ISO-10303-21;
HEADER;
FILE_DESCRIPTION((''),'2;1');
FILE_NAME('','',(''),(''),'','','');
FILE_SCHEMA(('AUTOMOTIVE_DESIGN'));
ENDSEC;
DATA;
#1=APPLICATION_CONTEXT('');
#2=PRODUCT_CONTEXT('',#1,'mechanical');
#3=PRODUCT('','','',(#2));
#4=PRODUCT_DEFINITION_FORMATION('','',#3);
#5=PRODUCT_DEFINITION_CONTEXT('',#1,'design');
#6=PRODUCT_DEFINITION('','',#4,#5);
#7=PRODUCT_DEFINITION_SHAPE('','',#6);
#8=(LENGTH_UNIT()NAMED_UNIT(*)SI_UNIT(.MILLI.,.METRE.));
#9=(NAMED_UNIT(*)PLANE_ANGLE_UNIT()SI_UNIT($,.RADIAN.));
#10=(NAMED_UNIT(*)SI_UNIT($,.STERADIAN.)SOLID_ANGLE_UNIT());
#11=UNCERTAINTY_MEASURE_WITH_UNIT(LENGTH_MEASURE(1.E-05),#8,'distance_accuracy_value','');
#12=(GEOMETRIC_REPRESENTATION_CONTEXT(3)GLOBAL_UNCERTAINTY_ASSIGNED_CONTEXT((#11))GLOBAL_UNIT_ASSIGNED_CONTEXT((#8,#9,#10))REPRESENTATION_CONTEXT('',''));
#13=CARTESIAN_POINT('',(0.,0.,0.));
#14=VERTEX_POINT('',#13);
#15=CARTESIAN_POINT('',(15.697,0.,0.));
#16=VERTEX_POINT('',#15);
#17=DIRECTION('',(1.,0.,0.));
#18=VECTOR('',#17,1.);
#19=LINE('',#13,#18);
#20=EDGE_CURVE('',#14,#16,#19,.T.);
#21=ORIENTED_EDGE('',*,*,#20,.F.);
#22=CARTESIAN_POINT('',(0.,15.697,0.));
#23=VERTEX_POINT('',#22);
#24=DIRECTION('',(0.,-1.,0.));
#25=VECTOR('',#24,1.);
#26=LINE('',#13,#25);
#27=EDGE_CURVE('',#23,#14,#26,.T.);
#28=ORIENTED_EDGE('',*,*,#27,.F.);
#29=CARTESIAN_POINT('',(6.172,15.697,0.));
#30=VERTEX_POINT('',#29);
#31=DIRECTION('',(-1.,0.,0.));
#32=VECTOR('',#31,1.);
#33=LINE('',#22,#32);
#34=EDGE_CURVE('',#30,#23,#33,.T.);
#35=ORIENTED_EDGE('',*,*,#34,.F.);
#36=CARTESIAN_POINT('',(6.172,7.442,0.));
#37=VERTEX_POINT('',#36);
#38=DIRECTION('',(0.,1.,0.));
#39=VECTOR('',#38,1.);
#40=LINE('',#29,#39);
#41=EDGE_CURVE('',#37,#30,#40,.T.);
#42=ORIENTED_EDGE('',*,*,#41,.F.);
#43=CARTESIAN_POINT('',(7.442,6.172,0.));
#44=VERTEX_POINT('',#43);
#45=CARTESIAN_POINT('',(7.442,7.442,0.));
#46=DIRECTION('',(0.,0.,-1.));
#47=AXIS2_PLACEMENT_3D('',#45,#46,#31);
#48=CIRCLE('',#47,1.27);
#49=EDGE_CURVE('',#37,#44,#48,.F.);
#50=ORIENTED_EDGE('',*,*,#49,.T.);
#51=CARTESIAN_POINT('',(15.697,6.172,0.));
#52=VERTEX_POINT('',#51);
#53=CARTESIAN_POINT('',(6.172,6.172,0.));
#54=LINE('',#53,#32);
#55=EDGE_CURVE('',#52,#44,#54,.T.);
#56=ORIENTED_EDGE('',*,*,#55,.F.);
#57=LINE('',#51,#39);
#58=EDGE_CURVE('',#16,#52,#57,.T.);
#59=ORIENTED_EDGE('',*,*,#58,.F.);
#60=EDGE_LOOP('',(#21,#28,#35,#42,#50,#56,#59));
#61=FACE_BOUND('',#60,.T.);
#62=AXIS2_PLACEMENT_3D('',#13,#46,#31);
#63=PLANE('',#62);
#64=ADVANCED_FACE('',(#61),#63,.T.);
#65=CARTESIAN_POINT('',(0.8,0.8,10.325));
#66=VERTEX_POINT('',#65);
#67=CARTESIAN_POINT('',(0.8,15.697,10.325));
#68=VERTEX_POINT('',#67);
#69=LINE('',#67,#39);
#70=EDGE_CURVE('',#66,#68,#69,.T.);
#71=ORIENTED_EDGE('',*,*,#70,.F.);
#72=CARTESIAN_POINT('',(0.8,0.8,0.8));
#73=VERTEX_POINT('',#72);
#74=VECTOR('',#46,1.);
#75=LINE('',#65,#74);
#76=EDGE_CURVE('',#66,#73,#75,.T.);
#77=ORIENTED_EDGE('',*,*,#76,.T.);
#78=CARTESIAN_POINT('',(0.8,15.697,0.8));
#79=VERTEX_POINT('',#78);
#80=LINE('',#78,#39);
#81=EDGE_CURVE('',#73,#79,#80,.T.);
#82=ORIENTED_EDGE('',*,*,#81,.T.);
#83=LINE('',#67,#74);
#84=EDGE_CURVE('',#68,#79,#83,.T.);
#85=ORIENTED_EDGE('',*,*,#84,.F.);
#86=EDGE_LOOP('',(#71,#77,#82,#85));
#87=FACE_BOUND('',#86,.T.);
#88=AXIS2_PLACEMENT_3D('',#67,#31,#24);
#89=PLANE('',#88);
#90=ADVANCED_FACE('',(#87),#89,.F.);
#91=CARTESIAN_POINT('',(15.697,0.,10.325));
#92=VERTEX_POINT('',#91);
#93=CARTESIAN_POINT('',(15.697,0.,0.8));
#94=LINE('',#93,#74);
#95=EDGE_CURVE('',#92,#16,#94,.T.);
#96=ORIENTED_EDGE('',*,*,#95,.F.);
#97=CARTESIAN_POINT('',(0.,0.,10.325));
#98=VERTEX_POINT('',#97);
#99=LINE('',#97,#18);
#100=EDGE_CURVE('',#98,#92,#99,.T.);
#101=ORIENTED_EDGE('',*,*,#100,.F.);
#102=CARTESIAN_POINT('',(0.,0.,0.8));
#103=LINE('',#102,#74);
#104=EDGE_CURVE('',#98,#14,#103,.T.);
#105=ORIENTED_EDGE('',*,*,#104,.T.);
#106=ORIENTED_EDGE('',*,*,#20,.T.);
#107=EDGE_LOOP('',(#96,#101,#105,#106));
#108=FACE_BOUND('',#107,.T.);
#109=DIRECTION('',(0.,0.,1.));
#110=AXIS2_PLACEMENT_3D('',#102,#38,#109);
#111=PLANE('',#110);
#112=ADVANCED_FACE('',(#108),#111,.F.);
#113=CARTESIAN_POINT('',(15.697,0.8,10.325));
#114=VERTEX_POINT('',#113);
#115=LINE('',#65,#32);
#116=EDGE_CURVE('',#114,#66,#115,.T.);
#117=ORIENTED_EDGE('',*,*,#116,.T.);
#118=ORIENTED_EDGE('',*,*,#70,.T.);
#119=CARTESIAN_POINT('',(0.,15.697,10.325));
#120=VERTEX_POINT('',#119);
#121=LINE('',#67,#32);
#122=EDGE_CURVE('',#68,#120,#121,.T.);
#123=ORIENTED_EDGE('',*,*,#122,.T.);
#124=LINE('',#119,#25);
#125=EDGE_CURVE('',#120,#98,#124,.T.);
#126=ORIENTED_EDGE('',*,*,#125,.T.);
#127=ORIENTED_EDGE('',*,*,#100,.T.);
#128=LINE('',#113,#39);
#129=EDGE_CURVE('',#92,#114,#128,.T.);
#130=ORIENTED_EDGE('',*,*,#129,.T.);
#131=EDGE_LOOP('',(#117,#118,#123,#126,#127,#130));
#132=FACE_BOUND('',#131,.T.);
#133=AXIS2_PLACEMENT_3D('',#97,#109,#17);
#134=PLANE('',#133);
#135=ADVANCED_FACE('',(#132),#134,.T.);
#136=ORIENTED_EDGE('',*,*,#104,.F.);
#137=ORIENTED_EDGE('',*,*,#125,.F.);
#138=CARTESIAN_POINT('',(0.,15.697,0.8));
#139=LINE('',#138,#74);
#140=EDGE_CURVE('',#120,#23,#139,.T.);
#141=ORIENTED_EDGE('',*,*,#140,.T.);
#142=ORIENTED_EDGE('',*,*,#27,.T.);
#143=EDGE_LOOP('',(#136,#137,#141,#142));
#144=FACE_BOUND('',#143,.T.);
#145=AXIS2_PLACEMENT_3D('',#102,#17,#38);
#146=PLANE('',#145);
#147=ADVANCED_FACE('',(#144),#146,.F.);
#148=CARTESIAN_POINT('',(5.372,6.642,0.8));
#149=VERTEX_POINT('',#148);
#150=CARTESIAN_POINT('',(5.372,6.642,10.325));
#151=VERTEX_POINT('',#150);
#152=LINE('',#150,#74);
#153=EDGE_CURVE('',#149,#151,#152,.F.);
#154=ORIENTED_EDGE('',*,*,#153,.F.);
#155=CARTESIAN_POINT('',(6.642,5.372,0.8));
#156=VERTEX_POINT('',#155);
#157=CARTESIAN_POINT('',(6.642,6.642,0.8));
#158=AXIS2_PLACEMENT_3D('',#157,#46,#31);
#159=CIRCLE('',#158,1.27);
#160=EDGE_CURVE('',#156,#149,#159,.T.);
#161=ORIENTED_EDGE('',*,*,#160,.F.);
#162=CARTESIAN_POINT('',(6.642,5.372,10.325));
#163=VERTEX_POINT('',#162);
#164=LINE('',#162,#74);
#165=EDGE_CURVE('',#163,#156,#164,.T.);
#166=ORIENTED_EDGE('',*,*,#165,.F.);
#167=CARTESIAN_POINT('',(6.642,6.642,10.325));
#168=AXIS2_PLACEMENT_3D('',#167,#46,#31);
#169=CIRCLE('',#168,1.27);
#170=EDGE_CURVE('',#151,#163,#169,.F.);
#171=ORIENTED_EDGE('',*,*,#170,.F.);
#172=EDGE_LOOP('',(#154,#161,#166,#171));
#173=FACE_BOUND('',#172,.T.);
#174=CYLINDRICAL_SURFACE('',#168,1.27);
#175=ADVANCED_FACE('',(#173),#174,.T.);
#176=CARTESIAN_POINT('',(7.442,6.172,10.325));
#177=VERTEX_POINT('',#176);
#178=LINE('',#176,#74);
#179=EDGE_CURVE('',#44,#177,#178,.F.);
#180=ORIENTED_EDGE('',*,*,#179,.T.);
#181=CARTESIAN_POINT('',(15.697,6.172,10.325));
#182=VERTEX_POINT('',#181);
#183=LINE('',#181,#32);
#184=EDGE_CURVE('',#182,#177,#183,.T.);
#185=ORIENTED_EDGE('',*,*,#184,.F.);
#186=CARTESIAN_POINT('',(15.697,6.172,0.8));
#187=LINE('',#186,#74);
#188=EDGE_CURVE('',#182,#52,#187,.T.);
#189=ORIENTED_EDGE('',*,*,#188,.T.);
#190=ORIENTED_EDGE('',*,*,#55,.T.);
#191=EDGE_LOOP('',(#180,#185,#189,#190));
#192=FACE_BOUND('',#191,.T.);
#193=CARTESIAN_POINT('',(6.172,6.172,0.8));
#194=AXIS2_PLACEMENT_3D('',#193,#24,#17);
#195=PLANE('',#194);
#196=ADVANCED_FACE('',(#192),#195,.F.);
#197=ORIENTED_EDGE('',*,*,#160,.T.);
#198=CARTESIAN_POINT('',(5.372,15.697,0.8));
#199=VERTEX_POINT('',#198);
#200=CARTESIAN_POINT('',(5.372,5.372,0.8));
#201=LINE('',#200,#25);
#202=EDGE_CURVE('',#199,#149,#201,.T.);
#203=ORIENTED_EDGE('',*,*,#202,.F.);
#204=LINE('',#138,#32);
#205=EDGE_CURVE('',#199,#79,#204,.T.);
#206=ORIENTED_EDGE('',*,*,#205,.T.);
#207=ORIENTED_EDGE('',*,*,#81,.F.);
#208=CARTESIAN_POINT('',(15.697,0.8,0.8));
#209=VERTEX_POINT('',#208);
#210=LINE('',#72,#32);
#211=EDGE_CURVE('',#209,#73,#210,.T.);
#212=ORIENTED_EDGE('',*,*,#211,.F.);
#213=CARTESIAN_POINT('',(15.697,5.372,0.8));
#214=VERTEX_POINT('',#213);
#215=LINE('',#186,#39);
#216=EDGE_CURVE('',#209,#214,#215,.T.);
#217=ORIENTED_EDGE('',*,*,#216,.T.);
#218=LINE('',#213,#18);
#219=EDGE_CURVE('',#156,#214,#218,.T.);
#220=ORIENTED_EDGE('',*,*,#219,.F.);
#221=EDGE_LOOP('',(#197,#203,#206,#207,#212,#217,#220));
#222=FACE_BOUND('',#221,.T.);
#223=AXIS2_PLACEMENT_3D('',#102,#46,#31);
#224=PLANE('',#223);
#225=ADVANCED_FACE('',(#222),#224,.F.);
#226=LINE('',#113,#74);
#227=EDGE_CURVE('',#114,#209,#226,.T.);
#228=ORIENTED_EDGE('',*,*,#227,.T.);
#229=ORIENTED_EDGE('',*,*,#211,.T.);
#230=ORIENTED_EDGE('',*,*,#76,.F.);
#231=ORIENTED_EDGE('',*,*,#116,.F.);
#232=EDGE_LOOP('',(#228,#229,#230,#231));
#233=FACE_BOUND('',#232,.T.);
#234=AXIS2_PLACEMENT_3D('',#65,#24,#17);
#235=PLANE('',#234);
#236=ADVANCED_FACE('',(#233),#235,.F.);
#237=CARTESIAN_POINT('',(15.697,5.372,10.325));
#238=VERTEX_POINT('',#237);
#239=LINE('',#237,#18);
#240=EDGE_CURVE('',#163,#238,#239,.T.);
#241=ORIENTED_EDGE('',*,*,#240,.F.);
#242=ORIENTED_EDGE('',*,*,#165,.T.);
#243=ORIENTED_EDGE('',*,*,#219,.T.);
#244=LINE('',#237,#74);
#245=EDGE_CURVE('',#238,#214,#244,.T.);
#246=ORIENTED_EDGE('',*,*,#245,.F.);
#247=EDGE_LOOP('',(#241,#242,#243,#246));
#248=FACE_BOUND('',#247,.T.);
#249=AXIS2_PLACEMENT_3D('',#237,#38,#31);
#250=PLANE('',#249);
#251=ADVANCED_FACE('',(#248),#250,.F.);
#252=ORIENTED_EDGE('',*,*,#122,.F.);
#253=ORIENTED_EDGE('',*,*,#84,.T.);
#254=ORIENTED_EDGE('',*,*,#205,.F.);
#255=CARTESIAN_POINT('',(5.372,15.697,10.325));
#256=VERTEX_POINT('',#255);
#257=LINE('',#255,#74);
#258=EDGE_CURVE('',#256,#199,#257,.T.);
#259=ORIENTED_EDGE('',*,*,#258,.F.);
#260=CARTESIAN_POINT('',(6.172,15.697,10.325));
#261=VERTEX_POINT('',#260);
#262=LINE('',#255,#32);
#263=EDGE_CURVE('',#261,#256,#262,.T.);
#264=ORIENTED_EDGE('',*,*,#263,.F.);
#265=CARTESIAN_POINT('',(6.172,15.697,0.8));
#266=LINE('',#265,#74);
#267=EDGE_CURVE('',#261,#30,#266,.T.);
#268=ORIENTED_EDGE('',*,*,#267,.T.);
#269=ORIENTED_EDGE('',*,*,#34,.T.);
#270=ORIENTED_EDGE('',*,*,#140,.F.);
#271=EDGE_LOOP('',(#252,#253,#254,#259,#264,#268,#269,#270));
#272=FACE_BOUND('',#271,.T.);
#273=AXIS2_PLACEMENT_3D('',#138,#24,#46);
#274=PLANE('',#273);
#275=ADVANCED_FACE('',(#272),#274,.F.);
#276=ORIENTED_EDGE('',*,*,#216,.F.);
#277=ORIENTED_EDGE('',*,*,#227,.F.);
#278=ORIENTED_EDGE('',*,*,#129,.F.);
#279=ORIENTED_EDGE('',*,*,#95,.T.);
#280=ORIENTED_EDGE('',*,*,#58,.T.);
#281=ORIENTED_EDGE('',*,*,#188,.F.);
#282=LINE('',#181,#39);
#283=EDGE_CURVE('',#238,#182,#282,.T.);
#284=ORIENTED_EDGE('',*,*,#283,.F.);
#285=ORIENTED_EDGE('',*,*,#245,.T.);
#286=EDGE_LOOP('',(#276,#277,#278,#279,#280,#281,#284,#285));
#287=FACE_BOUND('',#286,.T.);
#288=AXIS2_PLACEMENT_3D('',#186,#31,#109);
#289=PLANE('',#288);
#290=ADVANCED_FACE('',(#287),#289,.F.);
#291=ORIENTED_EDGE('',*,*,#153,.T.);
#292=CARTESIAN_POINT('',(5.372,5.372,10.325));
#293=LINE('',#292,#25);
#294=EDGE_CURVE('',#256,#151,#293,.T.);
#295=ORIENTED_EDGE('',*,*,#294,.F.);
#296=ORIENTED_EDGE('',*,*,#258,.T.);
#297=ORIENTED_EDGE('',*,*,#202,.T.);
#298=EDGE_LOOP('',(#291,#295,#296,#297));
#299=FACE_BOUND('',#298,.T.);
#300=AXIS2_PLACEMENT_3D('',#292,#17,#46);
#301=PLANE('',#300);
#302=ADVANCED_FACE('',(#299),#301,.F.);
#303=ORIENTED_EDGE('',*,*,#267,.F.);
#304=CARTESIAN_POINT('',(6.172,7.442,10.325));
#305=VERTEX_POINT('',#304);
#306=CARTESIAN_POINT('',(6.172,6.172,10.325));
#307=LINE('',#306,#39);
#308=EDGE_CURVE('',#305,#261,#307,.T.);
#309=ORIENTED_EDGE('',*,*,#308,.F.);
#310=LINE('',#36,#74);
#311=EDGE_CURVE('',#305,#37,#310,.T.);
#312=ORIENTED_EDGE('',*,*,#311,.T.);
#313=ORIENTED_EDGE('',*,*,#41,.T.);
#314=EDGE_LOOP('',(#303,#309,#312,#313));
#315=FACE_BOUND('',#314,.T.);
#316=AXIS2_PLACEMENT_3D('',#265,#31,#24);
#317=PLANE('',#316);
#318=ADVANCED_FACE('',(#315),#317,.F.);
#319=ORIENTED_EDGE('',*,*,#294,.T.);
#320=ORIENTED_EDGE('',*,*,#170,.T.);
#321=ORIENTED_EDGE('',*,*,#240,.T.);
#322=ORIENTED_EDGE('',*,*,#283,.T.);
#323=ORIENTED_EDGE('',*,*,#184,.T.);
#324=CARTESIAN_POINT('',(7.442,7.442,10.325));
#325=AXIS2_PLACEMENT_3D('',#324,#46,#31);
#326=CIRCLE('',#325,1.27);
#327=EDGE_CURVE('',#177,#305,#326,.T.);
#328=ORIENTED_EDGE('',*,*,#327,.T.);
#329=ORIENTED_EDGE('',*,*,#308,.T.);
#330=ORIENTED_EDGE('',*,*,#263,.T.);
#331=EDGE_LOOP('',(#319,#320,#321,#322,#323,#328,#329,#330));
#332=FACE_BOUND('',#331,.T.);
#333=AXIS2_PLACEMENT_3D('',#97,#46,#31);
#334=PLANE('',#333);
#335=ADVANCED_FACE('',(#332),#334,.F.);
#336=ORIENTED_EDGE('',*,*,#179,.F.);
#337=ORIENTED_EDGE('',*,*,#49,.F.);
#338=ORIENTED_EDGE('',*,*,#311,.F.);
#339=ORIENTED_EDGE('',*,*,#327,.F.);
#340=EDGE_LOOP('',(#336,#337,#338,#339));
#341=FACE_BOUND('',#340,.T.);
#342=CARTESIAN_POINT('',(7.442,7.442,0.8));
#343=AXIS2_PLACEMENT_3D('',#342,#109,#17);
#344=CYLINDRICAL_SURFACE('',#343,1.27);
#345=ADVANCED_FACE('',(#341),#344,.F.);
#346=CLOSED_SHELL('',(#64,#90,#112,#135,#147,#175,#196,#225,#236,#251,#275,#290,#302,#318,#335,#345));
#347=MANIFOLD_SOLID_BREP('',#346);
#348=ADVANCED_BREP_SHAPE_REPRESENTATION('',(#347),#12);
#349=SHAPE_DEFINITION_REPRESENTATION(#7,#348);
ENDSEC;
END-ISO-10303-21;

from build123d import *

# Parameters (mm, degrees)
BOSS_EXTRUDE1_DEPTH = 0.8
BOSS_EXTRUDE2_DEPTH = 9.525
FILLET1_R           = 1.27


with BuildPart() as part:
    # Sketch1 → Boss-Extrude1 (new body)
    with BuildSketch(Plane.XY):
        Polygon((0, 0), (0, 15.697000102), (6.172000102, 15.697000102), (6.172000102, 6.172000102), (15.697000102, 6.172000102), (15.697000102, 0), align=None)
    extrude(amount=BOSS_EXTRUDE1_DEPTH)

    # Sketch2 → Boss-Extrude2 (add)
    with BuildSketch(Plane.XY.offset(0.8)):
        Polygon((0.8, 0.8), (15.697000102, 0.8), (15.697000102, 0), (0, 0), (0, 15.697000102), (0.8, 15.697000102), align=None)
        Polygon((15.697000102, 5.372000102), (5.372000102, 5.372000102), (5.372000102, 15.697000102), (6.172000102, 15.697000102), (6.172000102, 6.172000102), (15.697000102, 6.172000102), align=None)
    extrude(amount=BOSS_EXTRUDE2_DEPTH)

    # Fillet1
    fillet1_edges = [part.edges().sort_by_distance(p)[0] for p in [
        (6.172000102, 6.172000102, 5.1625),
        (5.372000102, 5.372000102, 5.5625),
    ]]
    fillet(fillet1_edges, radius=FILLET1_R)


solid = part.part
